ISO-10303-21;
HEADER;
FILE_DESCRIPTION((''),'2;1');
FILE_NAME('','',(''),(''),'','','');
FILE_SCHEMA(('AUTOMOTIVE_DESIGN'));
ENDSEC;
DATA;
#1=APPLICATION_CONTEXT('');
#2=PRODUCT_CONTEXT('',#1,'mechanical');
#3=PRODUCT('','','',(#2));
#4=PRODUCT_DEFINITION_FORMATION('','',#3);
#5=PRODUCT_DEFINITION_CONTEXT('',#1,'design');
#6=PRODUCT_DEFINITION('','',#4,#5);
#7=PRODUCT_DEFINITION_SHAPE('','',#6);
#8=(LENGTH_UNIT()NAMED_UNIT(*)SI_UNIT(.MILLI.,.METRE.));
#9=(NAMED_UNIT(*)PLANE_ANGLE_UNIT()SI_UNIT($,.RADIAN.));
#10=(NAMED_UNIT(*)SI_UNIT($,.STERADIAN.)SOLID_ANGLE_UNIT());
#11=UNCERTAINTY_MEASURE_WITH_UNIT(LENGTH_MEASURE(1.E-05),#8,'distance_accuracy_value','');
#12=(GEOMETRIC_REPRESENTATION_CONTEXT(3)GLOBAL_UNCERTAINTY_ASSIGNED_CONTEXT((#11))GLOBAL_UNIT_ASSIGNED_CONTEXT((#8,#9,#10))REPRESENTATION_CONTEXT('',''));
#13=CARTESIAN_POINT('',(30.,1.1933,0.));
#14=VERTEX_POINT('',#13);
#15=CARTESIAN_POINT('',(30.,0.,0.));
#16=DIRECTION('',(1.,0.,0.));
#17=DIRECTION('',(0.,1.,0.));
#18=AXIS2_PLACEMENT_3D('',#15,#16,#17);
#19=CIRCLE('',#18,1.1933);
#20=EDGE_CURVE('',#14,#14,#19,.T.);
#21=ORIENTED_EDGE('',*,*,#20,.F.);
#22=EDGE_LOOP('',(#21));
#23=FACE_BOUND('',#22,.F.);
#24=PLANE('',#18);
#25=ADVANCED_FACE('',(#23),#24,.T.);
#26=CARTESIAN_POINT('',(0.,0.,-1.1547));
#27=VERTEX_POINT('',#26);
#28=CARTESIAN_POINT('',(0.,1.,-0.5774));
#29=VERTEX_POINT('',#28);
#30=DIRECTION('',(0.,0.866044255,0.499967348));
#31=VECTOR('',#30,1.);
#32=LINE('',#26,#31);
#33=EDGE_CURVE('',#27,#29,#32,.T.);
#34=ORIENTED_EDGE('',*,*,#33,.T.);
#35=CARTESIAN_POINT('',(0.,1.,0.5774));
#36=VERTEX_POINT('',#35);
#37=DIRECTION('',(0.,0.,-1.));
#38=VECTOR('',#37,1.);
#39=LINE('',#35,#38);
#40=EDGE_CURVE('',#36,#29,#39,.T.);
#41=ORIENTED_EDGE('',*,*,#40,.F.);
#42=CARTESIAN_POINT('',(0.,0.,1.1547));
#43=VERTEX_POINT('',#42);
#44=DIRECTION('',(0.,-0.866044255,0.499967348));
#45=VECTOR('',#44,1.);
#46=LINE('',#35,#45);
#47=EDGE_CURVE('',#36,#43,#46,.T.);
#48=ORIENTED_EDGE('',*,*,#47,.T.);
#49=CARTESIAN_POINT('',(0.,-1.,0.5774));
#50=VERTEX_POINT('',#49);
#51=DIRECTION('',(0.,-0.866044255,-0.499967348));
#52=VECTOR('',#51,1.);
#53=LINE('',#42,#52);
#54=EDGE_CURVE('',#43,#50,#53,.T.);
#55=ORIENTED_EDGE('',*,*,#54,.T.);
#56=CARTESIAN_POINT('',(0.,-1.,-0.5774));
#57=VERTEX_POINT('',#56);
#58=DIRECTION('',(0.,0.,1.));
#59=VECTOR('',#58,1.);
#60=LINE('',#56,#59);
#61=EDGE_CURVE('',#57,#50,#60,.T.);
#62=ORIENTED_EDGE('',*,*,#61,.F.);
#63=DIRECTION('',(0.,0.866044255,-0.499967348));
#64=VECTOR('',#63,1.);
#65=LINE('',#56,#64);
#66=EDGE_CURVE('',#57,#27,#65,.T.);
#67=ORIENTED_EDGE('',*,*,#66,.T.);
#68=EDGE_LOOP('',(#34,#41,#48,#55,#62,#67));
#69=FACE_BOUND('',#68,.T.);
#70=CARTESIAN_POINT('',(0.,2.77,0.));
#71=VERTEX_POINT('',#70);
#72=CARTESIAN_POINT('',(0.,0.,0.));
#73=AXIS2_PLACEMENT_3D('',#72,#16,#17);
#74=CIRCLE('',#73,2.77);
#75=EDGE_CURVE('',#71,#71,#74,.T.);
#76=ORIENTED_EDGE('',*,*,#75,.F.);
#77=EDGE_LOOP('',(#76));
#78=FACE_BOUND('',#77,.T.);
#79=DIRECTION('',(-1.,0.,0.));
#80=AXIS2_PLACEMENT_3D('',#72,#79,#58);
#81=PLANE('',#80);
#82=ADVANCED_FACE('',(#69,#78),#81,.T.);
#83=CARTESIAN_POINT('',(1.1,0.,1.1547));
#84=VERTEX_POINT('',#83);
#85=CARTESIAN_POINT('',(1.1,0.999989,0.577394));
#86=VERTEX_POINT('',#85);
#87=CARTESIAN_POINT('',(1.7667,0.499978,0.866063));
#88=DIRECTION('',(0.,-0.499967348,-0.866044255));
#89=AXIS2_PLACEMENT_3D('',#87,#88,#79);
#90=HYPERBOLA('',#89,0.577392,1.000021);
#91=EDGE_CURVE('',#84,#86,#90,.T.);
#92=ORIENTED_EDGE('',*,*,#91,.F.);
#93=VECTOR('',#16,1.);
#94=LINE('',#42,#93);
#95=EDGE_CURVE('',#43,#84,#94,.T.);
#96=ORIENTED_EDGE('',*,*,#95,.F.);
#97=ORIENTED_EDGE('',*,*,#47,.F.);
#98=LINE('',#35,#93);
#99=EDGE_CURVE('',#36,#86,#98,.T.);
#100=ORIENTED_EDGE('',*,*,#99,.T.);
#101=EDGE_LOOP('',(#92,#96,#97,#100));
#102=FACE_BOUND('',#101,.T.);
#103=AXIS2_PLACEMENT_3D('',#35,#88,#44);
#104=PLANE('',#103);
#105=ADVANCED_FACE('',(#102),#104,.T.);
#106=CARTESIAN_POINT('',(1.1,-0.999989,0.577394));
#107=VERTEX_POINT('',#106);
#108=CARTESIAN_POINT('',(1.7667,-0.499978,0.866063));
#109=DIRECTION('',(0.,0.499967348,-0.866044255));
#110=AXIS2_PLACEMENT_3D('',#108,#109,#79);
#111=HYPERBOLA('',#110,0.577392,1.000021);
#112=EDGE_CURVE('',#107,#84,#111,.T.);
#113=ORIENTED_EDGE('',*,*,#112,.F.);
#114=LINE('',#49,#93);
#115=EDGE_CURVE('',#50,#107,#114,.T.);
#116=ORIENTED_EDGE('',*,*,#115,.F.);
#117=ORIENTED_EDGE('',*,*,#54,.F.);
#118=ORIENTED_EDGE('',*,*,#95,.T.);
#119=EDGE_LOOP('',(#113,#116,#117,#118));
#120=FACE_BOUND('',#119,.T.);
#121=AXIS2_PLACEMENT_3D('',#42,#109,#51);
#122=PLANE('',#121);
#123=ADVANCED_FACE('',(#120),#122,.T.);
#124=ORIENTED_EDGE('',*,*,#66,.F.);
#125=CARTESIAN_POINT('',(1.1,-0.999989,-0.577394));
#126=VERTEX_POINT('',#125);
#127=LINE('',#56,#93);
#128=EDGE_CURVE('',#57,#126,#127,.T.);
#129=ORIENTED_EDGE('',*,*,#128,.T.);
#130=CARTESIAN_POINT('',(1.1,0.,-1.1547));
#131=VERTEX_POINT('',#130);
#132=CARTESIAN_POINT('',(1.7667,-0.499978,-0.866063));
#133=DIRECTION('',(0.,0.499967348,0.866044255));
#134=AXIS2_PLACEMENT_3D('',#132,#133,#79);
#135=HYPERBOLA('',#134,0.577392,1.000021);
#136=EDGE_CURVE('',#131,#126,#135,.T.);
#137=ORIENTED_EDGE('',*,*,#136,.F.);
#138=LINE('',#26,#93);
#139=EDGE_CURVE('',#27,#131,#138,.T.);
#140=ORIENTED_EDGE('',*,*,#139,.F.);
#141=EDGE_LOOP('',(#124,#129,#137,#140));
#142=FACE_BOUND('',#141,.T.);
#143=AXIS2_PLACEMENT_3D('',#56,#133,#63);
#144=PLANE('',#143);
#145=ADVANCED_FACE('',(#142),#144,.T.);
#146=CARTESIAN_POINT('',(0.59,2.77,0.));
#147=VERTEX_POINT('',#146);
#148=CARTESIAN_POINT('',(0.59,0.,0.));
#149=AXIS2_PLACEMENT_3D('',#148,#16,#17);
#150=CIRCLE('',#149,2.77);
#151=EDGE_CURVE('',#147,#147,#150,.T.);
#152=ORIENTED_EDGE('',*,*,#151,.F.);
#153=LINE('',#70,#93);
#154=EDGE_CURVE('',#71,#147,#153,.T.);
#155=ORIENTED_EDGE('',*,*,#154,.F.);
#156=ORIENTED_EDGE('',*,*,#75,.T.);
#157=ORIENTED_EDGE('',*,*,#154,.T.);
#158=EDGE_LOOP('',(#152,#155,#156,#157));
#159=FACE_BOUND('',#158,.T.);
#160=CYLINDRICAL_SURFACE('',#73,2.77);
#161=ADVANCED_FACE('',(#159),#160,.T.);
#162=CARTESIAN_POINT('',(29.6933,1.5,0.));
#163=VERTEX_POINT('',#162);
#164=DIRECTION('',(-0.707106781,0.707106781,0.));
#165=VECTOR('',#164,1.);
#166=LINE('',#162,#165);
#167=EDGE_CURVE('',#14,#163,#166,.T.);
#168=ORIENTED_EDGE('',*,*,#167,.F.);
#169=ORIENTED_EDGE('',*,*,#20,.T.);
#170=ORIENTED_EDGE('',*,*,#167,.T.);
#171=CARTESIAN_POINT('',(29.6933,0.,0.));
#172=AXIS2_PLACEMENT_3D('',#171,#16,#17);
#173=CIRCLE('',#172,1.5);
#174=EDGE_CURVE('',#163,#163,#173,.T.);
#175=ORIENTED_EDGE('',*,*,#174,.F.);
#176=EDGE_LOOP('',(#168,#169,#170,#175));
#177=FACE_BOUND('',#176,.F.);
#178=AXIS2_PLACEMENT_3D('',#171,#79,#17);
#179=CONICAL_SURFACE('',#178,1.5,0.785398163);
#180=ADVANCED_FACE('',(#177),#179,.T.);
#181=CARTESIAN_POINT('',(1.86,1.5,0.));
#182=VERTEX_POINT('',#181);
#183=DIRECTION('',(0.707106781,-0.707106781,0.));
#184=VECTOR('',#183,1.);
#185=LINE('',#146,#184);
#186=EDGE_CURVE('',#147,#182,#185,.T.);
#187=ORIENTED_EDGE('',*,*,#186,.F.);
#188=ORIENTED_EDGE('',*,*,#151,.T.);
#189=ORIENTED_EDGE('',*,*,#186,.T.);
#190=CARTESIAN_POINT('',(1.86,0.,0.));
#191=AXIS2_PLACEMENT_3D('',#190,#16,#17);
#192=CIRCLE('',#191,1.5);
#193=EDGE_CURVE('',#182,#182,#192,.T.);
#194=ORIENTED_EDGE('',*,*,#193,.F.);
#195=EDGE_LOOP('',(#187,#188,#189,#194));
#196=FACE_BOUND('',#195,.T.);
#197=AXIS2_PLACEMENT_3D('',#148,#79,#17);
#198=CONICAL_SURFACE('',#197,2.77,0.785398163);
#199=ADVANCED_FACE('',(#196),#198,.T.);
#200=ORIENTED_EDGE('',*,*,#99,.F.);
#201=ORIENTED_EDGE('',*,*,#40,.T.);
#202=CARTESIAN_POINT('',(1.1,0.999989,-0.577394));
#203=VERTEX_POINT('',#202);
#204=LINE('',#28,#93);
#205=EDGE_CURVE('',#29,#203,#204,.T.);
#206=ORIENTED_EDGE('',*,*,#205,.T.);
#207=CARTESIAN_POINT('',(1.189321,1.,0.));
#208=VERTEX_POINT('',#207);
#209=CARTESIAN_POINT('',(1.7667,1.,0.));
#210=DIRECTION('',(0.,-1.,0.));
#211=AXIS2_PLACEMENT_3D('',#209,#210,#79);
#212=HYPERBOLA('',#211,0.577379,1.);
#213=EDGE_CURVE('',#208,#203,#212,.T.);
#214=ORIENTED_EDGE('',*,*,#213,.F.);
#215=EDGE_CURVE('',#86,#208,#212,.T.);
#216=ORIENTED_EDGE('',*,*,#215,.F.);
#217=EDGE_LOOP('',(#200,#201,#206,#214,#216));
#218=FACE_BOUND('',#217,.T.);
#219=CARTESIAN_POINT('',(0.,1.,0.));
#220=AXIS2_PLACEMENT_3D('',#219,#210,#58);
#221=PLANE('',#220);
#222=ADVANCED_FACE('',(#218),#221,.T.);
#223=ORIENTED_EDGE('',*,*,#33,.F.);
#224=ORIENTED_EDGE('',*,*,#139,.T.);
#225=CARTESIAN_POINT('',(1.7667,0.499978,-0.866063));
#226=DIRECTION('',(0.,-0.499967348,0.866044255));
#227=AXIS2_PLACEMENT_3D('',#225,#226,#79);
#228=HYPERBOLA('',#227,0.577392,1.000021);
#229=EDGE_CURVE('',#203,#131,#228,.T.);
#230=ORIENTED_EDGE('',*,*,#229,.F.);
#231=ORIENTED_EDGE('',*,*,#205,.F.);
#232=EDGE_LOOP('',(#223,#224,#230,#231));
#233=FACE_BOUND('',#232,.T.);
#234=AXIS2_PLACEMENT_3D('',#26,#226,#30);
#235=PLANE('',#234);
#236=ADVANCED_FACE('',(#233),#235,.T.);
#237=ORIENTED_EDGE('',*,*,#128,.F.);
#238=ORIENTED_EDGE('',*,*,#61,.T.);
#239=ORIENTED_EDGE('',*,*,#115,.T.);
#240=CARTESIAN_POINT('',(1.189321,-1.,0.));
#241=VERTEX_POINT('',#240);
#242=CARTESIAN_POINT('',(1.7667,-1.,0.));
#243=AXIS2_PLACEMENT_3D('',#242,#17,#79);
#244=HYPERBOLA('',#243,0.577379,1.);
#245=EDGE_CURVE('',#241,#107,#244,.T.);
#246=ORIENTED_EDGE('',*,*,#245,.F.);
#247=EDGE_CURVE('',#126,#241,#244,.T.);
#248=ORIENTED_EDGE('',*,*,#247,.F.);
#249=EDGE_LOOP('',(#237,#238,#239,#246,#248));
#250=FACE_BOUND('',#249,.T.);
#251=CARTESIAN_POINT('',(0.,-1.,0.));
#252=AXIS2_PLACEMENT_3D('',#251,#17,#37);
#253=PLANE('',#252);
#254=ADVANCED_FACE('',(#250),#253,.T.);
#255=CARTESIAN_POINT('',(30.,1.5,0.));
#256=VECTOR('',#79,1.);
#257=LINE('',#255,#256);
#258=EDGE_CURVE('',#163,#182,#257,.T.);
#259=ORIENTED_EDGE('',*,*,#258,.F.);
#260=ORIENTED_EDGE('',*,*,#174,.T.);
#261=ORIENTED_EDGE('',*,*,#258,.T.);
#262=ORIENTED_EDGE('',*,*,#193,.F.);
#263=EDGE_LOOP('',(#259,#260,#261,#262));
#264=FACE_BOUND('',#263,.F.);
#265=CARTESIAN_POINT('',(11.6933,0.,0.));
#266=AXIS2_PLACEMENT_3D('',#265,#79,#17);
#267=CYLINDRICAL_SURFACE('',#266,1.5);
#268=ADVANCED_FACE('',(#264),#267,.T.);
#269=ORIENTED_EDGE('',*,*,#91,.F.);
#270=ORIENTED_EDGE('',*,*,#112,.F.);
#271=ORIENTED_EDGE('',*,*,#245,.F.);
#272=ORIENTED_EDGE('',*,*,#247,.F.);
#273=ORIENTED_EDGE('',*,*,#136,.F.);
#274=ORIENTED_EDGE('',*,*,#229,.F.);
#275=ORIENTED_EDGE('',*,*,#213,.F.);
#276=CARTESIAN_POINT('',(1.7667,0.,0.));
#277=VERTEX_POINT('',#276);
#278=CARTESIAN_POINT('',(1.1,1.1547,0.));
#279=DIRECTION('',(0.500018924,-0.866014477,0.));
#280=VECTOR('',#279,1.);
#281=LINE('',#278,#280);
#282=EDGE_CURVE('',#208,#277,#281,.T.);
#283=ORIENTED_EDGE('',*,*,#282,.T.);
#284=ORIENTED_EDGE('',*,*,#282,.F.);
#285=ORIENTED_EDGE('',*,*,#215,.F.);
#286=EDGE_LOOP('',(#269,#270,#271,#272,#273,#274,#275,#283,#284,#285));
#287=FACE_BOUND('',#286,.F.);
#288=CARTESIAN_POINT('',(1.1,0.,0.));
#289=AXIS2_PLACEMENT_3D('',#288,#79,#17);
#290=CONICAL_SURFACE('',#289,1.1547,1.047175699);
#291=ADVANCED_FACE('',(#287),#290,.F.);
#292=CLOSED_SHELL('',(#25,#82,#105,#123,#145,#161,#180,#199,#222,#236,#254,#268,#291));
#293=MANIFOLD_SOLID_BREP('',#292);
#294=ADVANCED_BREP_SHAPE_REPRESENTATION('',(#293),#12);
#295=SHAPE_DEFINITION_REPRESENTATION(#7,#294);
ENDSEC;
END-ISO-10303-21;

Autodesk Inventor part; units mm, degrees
ref_plane "YZ Plane" through (0, 0, 0) normal (1, 0, 0) x (0, 1, 0)
ref_plane "XZ Plane" through (0, 0, 0) normal (0, 1, 0) x (-1, 0, 0)
sketch "Sketch1" plane through (0, 0, 0) normal (0, 0, 1) x (1, 0, 0)
  line L0 (30, 0) -> (30, 1.5)
  line L1 (30, 1.5) -> (12, 1.5)
  line L2 (12, 1.5) -> (11.6933, 1.5)
  line L3 (0, 2.77) -> (0, 1.1547)
  line L4 (0, 1.1547) -> (1.1, 1.1547)
  line L5 (1.1, 1.1547) -> (1.7667, 0)
  line L6 (1.7667, 0) -> (30, 0)
  line L7 (0, 2.77) -> (0.59, 2.77)
  line L8 (0.59, 2.77) -> (1.86, 1.5)
  line L9 (11.6933, 1.5) -> (1.86, 1.5)
  line L10 (12, 1.5) -> (1.86, 1.5) construction
  line L11 (1.86, 1.5) -> (1.86, 1.5)
  line L12 (-25.4, 0) -> (152.4, 0) projected
  line L13 (0, -2.1133) -> (0, 12.6797) projected
  dimension "d0" = 30
  dimension "d1" = 18
  dimension "d2" = 1.1
  dimension "d3" = 3
  dimension "d6" = 1.86
  dimension "d7" = 45
  dimension "d8" = 2.3094
  dimension "d9" = 60
  dimension "d10" = 5.54
  dimension "d11" = 3
  dimension "d12" = 0.3067
revolve "Body" add sketch "Sketch1" angle 360 about axis through (1.7667, 0, 0) along (1, 0, 0) contours L6 L5 L4 L3 L7 L8 L9 L2 L1 L0
sketch "Sketch2" plane through (0, 0, 0) normal (-1, 0, 0) x (0, 0, 1)
  circle A0 centre (0, 0) radius 1.1547 projected
  line L0 (0, -6.4055) -> (0, 6.4055) projected
  line L1 (-6.4055, 0) -> (6.4055, 0) projected
  line L2 (1.1547, 0) -> (0.5774, -1)
  line L3 (0.5774, -1) -> (-0.5774, -1)
  line L4 (-0.5774, -1) -> (-1.1547, 0)
  line L5 (-1.1547, 0) -> (-0.5774, 1)
  line L6 (-0.5774, 1) -> (0.5774, 1)
  line L7 (0.5774, 1) -> (1.1547, 0)
  point P0 (0, 1.1547)
extrude "Slot" add sketch "Sketch2" against normal up to next contours L7 A0 | A0 L2 | L6 L0 A0 | A0 L0 L3 | L0 L6 A0 | A0 L3 L0 | L4 A0 | A0 L5
thread "Thread" size "M14x2" class "6g" standard "ISO Metric profile" length 18
chamfer "Chamfer1" distance 0.3067 distance2 0.3067 1 edges at (30, -1.5, 0) measured on face at (30, 0.5685, 0.5639)
ref_plane "Work Plane1" through (104.775, 0, 0) normal (0, 0, -1) x (1, 0, 0)
equation "\"d15\" = GEL"
equation "\"d17\" = -0.5 * SPD + 0.5 * GD"
equation "\"d18\" = GUL"
equation "\"d0\" = NLG"
equation "\"d1\" = GEL"
equation "\"d2\" = INTI"
equation "\"d3\" = GD"
equation "\"d6\" = KOH"
equation "\"d7\" = 0.5 * SEWI"
equation "\"d8\" = 1.1547 * SW"
equation "\"d10\" = KOD"
equation "\"d11\" = BDM"
equation "\"d12\" = GAL"
equation "\"NLG\" = 30"
equation "\"INTI\" = 1.1"
equation "\"GEL\" = 18"
equation "\"GAL\" = 0.61345 * PTC"
equation "\"KOH\" = 1.86"
equation "\"KOD\" = 5.54"
equation "\"GUL\" = 0.61345 * PTC"
equation "\"SPD\" = NND - 1.2269 * PTC"
equation "\"BDM\" = NND"
equation "\"GD\" = NND"
equation "\"SEWI\" = 90deg"
equation "\"SW\" = 2"
equation "\"TOA\" = 30deg"
equation "\"GD1\" = THREADDIA - 1.2269 * PTC"
equation "\"EPV\" = 3.36"
equation "\"THREADDIA\" = 3"
equation "\"PTC\" = 0.5"
equation "\"NND\" = 3"
equation "\"E0\" = 2.31"
properties part number "ISO 10642  - M3  x  30" material "Steel"
